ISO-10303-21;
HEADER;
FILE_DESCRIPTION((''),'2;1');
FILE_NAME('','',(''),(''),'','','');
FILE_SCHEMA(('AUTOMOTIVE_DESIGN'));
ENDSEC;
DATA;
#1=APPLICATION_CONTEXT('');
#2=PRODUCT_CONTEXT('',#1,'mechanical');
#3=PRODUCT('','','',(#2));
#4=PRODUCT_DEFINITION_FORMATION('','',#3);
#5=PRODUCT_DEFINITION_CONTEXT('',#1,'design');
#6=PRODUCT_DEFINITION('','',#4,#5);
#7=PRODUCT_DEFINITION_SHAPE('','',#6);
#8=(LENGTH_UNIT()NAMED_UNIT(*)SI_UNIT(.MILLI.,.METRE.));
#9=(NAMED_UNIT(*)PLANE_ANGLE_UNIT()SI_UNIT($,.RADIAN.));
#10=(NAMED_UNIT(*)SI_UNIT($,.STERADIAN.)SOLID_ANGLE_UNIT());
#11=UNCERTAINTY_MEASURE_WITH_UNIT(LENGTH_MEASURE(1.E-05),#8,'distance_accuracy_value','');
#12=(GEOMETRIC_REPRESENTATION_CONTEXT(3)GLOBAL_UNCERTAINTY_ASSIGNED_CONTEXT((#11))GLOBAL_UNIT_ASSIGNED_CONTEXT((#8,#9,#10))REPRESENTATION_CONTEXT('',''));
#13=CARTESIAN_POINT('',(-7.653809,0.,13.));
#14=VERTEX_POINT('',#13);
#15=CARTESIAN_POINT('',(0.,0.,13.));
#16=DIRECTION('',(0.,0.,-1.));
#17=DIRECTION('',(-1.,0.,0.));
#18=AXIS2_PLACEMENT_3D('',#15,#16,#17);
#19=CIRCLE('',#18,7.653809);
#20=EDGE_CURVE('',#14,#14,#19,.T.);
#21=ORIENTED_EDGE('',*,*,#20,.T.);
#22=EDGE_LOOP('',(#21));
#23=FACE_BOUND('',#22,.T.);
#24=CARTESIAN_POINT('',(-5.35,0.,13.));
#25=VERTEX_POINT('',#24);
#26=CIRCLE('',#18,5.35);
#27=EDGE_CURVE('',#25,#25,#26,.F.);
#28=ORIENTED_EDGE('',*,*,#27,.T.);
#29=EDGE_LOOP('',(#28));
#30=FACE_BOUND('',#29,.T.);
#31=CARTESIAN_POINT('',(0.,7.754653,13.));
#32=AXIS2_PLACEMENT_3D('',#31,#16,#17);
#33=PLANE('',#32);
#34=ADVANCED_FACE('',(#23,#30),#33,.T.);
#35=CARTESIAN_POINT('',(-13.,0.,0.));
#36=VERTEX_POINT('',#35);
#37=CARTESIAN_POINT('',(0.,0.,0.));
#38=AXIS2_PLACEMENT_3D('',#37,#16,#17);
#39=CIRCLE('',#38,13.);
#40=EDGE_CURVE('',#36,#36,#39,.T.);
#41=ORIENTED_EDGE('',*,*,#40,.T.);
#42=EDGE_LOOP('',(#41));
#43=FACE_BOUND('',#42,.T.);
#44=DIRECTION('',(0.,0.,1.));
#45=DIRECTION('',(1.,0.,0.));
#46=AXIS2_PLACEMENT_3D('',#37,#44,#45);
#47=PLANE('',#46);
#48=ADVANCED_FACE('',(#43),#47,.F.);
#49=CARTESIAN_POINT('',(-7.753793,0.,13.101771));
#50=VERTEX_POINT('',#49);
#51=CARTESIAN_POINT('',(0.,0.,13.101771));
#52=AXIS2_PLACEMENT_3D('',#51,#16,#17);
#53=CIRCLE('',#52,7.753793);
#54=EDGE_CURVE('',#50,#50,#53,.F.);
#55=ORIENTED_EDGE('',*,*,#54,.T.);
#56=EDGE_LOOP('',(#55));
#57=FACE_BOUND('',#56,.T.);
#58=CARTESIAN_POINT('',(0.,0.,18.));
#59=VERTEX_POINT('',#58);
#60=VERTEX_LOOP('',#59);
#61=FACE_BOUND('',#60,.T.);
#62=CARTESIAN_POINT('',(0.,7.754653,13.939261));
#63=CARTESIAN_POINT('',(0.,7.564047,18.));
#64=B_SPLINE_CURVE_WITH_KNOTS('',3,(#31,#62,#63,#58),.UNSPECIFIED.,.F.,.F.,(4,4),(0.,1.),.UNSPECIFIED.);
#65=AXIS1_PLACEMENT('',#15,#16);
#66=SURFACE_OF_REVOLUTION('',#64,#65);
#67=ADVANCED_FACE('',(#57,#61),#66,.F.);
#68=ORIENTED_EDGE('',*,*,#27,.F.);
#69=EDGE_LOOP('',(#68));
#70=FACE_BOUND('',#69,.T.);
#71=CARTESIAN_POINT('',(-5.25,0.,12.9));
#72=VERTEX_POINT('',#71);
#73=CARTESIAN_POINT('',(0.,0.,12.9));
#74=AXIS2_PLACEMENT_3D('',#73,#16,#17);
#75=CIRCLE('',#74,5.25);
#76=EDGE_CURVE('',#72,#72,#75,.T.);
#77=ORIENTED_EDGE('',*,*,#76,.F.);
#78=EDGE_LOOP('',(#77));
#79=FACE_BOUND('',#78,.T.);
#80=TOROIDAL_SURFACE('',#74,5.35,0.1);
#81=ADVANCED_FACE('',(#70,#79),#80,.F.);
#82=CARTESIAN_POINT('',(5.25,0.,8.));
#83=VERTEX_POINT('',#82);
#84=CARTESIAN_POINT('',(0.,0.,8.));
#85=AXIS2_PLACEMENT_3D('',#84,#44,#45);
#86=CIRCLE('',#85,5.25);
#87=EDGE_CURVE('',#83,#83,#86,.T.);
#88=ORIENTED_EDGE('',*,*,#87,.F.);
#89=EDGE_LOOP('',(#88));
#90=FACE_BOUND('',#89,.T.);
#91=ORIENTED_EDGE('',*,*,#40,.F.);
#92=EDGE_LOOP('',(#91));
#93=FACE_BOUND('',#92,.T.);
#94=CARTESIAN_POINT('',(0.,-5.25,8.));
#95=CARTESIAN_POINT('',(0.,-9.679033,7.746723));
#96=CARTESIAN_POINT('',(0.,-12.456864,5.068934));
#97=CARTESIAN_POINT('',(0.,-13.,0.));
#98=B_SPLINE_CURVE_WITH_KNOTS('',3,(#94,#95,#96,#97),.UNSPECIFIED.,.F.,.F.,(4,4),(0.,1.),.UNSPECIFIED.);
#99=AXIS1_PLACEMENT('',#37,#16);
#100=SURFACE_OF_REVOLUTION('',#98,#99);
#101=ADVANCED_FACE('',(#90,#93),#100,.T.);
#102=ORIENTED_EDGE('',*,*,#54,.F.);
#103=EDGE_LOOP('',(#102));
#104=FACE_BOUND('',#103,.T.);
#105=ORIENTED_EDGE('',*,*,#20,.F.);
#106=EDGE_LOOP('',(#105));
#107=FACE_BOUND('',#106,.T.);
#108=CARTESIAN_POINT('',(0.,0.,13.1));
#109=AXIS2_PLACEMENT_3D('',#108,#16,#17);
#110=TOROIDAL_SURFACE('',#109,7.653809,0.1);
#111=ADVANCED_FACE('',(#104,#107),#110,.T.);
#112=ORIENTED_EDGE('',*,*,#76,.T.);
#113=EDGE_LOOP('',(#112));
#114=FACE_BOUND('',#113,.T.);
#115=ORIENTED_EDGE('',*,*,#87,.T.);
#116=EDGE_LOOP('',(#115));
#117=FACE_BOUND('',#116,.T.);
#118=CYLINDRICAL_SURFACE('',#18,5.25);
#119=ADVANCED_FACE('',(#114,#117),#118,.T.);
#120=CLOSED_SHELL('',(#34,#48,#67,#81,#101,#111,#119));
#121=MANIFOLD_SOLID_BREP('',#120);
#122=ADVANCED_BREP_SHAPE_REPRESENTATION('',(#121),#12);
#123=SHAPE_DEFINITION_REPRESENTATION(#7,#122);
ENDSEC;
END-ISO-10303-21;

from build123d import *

# Parameters (mm, degrees)
SKETCH_2_R      = 5.25
EXTRUDE_1_DEPTH = 8
SKETCH_4_R      = 5.25
EXTRUDE_2_DEPTH = 5
FILLET_1_R      = 0.1


with BuildPart() as part:
    # 草图2 → 凸台-拉伸1 (new body)
    with BuildSketch(Plane.XY):
        Circle(SKETCH_2_R)
    extrude(amount=EXTRUDE_1_DEPTH)

    # 草图3 → 旋转1 (revolve)
    with BuildSketch(Plane(origin=(0, 0, 0), x_dir=(0, 0, -1), z_dir=(1, 0, 0))):
        with BuildLine():
            Line((-8, 0), (-8, -5.25))
            add(Edge.make_bspline(
                [(0, -13), (-5.068934353, -12.456863927), (-7.746723487, -9.679032619), (-8, -5.25)],
                knots=[0, 0, 0, 0, 1, 1, 1, 1], degree=3))
            Line((0, -13), (0, 0))
            Line((0, 0), (-8, 0))
        make_face()
    revolve(axis=Axis((0, 0, 0), (0, 0, 1)))

    # 草图4 → 凸台-拉伸2 (add)
    with BuildSketch(Plane.XY.offset(8)):
        Circle(SKETCH_4_R)
    extrude(amount=EXTRUDE_2_DEPTH)

    # 草图6 → 旋转2 (revolve)
    with BuildSketch(Plane(origin=(0, 0, 0), x_dir=(0, 0, -1), z_dir=(1, 0, 0))):
        with BuildLine():
            Line((-13, 0), (-18, 0))
            add(Edge.make_bspline(
                [(-18, 0), (-18, 7.56404748), (-13.939261077, 7.75465321), (-13, 7.75465321)],
                knots=[0, 0, 0, 0, 1, 1, 1, 1], degree=3))
            Line((-13, 7.75465321), (-13, 0))
        make_face()
    revolve(axis=Axis((0, 0, 13), (0, 0, 1)))

    # 圆角1
    fillet_1_edges = [part.edges().sort_by_distance(p)[0] for p in [
        (-5.25, 0, 13),
        (0, -7.75465321, 13),
    ]]
    fillet(fillet_1_edges, radius=FILLET_1_R)


solid = part.part
